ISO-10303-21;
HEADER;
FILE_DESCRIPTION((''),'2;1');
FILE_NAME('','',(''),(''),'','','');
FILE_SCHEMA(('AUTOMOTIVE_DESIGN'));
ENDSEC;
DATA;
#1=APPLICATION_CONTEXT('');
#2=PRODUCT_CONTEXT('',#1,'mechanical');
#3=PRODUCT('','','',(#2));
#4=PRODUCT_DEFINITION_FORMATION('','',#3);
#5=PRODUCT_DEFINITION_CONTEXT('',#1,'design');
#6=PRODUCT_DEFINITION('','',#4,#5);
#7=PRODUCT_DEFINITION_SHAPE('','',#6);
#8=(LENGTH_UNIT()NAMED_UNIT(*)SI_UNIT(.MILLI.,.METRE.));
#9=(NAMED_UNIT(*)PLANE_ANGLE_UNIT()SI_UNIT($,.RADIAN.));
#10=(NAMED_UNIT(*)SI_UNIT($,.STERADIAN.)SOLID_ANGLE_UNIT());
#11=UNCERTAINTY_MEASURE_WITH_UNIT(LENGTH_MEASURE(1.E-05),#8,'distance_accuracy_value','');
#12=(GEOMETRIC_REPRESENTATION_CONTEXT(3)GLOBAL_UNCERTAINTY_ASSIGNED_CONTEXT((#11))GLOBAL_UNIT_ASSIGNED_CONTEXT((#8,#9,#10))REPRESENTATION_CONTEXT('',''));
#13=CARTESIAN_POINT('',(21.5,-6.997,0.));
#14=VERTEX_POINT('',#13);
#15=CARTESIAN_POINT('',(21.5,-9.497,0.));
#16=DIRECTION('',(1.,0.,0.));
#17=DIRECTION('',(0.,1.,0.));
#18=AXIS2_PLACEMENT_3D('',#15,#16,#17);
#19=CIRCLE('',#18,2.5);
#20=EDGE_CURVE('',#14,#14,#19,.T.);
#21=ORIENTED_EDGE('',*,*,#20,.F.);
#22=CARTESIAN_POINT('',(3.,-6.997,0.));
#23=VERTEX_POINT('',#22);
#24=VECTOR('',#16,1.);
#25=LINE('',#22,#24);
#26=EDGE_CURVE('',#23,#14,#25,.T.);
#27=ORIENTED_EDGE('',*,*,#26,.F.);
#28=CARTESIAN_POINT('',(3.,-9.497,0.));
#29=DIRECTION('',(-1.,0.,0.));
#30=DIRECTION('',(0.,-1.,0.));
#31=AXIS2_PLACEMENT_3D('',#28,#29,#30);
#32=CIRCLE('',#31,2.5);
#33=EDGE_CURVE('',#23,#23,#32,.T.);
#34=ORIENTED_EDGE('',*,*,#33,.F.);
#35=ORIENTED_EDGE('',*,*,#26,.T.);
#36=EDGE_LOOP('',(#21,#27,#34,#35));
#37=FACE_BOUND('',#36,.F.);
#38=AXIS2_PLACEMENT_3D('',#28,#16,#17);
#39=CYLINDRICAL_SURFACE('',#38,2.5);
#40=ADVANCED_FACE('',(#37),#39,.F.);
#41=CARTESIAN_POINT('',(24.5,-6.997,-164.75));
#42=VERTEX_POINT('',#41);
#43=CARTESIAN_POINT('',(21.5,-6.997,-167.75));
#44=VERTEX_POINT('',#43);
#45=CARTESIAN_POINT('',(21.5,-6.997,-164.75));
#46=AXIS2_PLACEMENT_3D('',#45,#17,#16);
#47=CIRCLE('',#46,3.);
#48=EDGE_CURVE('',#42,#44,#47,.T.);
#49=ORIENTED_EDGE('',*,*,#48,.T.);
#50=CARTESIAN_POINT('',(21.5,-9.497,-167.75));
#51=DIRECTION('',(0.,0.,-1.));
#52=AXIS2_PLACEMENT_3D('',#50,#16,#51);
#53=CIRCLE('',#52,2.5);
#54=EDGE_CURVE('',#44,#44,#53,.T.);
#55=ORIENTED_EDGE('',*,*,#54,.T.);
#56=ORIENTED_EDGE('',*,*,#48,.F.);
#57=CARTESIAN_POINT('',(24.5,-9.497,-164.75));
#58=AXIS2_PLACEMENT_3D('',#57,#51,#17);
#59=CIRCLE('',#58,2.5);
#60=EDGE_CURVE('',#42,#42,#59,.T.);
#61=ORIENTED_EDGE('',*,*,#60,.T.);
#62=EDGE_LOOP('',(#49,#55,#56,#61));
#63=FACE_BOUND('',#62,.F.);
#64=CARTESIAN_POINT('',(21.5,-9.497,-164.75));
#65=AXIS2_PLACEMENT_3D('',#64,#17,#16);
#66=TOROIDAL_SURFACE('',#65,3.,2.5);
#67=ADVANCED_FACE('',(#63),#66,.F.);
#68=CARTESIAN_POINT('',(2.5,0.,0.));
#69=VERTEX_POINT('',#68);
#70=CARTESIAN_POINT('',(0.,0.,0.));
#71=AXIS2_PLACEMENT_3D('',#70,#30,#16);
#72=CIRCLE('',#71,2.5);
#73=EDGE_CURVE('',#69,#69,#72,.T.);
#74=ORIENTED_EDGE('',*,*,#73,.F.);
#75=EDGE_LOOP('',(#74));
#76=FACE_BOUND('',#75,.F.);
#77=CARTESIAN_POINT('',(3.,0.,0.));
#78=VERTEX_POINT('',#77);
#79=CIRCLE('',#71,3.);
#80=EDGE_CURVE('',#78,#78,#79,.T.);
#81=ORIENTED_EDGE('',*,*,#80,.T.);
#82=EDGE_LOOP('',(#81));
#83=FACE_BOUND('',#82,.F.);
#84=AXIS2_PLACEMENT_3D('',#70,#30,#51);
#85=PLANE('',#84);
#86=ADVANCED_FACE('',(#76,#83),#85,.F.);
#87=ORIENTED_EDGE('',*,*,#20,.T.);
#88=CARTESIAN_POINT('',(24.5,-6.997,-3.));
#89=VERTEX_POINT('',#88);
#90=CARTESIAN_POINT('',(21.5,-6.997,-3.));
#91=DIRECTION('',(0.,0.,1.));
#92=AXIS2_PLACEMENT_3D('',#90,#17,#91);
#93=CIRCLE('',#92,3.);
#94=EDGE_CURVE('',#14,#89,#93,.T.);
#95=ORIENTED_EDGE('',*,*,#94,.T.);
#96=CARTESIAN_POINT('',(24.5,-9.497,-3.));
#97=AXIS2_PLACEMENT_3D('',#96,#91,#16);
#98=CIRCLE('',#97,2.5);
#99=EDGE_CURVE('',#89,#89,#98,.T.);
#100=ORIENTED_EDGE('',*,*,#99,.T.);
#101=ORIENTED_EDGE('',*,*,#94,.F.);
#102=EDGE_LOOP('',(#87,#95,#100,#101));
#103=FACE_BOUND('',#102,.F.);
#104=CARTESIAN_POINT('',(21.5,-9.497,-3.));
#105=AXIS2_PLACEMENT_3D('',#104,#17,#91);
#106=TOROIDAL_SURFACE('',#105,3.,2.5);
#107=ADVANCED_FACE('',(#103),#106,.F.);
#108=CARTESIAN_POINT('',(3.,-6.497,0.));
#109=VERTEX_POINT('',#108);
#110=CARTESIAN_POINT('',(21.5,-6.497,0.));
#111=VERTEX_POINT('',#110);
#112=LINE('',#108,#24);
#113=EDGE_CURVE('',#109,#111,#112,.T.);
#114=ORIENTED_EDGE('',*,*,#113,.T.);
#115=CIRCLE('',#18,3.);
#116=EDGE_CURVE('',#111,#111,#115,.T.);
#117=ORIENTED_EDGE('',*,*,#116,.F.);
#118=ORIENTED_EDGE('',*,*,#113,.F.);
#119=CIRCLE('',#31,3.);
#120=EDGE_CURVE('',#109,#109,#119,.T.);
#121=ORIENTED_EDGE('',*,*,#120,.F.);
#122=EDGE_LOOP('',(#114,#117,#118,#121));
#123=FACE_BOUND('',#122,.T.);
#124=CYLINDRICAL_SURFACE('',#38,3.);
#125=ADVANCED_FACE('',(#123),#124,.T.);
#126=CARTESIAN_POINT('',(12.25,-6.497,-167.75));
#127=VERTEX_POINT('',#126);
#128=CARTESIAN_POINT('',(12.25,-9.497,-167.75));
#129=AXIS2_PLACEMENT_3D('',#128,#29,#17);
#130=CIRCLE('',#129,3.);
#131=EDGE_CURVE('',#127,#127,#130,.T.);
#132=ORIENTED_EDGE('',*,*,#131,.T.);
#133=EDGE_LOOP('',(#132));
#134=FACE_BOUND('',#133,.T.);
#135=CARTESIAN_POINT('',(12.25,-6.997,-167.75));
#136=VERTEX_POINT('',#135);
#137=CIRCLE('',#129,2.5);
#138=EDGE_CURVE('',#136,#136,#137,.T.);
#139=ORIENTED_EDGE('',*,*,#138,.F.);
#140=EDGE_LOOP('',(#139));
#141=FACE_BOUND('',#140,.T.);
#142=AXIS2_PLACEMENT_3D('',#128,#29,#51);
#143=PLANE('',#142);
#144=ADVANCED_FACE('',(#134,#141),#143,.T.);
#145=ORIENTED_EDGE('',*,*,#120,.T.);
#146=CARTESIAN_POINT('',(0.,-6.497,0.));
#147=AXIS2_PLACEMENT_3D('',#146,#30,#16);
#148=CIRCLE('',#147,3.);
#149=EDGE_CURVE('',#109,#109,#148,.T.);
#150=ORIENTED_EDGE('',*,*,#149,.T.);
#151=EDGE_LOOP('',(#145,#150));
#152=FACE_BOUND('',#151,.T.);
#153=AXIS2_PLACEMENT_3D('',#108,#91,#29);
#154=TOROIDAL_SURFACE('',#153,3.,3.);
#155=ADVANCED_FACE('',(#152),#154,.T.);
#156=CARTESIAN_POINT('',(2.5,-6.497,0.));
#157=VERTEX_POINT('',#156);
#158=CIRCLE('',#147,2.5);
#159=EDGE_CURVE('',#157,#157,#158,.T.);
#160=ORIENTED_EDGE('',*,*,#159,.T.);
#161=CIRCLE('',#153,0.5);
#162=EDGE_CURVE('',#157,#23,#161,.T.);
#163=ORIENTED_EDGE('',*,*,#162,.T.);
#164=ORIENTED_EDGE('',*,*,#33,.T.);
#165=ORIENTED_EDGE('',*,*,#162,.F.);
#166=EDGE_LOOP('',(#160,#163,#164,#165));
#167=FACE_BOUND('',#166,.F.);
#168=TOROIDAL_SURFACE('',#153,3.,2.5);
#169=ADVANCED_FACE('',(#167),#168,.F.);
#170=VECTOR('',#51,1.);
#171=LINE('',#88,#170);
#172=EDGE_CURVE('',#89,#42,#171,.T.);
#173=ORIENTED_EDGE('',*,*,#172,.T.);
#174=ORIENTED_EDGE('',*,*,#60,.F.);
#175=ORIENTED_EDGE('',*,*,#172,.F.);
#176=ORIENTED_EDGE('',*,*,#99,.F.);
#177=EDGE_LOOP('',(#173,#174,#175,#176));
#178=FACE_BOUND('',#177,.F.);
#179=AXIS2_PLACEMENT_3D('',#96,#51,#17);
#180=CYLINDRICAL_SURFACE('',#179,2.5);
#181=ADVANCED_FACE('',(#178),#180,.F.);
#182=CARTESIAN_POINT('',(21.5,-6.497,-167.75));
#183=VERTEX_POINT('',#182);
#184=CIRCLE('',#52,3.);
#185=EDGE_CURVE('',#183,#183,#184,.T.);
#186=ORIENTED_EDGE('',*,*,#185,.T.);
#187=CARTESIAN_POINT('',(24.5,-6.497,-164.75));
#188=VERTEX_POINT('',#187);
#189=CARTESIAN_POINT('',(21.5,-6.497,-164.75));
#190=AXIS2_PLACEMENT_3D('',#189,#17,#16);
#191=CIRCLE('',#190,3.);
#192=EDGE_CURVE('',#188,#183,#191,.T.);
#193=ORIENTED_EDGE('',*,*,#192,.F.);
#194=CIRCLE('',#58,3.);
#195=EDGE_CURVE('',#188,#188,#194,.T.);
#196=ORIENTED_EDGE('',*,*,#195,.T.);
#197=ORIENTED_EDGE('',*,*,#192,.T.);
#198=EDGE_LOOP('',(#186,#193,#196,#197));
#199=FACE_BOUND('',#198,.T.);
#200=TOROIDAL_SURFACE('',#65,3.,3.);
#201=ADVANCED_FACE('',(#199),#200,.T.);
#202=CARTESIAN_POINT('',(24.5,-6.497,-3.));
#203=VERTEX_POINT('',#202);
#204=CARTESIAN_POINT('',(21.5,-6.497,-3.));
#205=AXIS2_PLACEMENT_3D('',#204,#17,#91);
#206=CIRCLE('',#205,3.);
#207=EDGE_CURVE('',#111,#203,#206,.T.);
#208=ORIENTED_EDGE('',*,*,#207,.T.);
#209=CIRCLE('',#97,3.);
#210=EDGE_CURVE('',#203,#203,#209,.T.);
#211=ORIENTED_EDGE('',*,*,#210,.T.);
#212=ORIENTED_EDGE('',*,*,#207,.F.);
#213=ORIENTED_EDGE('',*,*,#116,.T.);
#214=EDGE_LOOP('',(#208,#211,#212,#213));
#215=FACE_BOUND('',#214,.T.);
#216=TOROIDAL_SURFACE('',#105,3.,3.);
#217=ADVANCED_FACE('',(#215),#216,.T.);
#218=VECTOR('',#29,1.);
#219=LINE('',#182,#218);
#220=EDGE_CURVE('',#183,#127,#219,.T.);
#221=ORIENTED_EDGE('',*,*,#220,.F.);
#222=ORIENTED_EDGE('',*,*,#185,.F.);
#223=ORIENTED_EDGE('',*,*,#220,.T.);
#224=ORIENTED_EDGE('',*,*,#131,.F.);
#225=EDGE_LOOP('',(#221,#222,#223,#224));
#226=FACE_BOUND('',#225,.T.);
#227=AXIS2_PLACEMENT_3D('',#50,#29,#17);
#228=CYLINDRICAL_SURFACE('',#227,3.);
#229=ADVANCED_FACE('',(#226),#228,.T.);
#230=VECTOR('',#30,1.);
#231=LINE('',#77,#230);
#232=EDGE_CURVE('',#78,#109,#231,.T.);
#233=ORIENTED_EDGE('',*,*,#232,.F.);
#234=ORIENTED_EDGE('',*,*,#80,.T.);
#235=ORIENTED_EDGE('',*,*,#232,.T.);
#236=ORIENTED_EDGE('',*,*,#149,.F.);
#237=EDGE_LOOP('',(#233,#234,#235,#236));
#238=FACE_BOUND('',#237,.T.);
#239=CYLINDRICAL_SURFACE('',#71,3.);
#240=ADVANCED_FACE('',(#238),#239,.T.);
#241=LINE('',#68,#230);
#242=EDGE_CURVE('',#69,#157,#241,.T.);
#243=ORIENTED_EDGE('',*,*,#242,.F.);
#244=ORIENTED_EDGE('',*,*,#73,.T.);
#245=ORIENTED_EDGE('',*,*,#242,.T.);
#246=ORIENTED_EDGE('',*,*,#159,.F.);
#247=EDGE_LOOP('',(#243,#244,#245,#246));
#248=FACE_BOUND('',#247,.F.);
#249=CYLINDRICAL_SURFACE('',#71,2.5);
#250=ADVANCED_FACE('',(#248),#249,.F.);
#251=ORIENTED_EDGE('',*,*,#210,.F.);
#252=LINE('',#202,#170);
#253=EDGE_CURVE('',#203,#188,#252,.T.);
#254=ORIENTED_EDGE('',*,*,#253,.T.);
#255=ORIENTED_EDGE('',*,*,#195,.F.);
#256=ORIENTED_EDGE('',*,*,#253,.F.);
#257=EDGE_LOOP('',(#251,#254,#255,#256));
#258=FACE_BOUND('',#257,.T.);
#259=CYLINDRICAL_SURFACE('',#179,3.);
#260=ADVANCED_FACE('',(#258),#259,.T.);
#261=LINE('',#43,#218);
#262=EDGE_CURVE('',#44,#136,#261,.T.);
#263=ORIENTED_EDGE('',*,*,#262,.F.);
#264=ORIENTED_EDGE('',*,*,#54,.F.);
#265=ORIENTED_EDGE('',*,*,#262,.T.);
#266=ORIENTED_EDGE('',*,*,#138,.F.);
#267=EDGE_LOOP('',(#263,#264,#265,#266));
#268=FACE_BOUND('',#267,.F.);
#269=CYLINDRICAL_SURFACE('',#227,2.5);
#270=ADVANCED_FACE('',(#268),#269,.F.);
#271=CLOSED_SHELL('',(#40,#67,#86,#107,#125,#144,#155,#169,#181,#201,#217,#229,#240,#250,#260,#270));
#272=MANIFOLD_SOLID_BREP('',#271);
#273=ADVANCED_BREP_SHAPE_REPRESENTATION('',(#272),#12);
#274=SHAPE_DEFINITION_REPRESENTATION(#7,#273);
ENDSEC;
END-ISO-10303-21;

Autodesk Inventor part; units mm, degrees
ref_plane "YZ Plane" through (0, 0, 0) normal (1, 0, 0) x (0, 1, 0)
ref_plane "XZ Plane" through (0, 0, 0) normal (0, 1, 0) x (-1, 0, 0)
ref_plane "Work Plane1" through (0, 0, 0) normal (0, -1, 0) x (1, 0, 0)
sketch "Sketch1" plane through (0, 0, 0) normal (0, -1, 0) x (1, 0, 0)
  circle A0 centre (0, 0) radius 3
  circle A1 centre (0, 0) radius 2.5
  dimension "d8" = 6
  dimension "d9" = 5
sketch3d "3D Sketch1"
  line L0 (0, 0, 0) -> (0, -6.497, 0)
  arc A0 (0, -6.497, 0) -> (3, -9.497, 0) centre (3, -6.497, 0) ccw
  line L1 (3, -9.497, 0) -> (21.5, -9.497, 0)
  arc A1 (21.5, -9.497, 0) -> (24.5, -9.497, -3) centre (21.5, -9.497, -3) ccw
  line L2 (24.5, -9.497, -3) -> (24.5, -9.497, -164.75)
  arc A2 (24.5, -9.497, -164.75) -> (21.5, -9.497, -167.75) centre (21.5, -9.497, -164.75) ccw
  line L3 (21.5, -9.497, -167.75) -> (12.25, -9.497, -167.75)
  dimension "d0" = 6.497
  dimension "d1" = 3
  dimension "d2" = 90
  dimension "d3" = 18.5
  dimension "d4" = 90
  dimension "d5" = 161.75
  dimension "d6" = 90
  dimension "d7" = 9.25
sweep "Sweep1" add profiles "Sketch1" path "3D Sketch1"
properties part number "Pipe"
